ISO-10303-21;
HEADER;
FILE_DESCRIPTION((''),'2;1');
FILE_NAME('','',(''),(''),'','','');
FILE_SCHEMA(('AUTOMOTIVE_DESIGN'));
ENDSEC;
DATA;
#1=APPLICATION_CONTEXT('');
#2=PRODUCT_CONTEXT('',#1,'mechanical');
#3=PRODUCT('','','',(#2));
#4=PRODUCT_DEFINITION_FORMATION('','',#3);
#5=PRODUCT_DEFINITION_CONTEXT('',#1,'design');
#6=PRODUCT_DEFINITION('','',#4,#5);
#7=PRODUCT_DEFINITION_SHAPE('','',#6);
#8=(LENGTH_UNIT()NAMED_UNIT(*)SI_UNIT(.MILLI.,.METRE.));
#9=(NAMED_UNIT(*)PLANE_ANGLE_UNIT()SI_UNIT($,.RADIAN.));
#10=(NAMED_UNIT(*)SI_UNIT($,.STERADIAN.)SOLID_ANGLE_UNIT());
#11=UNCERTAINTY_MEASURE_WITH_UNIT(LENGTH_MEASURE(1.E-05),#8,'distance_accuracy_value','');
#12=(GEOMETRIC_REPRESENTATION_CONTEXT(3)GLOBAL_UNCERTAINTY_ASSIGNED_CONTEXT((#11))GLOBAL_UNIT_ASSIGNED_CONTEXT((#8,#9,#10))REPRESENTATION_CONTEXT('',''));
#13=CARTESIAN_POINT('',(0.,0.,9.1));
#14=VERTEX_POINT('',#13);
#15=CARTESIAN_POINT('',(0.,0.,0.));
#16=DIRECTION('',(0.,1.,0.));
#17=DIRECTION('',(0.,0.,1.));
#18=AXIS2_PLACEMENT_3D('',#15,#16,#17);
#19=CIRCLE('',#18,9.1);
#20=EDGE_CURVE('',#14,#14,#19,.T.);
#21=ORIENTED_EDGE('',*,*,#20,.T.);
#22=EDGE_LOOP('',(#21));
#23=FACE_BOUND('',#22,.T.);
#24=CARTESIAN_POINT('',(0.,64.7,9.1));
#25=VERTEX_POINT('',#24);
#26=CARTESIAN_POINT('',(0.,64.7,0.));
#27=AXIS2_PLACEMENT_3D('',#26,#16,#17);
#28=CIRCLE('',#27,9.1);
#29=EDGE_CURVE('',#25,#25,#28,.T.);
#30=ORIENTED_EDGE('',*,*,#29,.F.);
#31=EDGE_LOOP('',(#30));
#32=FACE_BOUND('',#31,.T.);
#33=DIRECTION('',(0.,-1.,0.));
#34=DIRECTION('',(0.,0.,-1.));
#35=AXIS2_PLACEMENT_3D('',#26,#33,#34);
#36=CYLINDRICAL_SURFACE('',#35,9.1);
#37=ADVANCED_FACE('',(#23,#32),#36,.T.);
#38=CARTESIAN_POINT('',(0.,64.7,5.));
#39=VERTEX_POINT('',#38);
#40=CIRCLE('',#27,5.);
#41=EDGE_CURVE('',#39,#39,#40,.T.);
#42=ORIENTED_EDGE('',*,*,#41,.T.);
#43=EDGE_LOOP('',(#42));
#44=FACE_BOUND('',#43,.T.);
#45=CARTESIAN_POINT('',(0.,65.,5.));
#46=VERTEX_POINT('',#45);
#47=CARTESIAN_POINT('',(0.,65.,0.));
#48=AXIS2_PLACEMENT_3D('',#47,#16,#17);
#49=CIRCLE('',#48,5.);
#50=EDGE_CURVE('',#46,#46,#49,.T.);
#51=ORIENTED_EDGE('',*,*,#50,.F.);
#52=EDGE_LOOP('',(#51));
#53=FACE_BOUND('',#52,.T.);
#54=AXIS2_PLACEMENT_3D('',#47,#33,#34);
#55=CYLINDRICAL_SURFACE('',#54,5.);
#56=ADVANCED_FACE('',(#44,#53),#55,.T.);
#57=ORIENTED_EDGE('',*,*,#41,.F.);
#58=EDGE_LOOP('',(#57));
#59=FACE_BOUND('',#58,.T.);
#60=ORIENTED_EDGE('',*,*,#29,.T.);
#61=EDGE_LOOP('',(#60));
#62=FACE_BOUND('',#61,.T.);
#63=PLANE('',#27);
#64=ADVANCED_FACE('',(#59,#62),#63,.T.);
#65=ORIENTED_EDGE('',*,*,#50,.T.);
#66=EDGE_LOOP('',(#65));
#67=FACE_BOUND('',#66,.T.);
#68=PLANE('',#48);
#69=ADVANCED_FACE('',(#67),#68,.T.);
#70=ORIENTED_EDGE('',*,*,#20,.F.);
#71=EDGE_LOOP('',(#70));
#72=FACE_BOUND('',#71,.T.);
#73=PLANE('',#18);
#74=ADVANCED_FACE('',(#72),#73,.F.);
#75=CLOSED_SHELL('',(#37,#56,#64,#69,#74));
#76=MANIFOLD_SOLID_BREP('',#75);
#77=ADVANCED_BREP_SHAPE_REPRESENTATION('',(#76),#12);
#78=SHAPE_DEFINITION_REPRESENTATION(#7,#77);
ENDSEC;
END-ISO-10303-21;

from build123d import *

# Parameters (mm, degrees)
SKETCH1_R           = 9.1
BOSS_EXTRUDE1_DEPTH = 64.7
SKETCH2_R           = 5
BOSS_EXTRUDE2_DEPTH = 0.3


with BuildPart() as part:
    # Sketch1 → Boss-Extrude1 (new body)
    with BuildSketch(Plane(origin=(0, 0, 0), x_dir=(1, 0, 0), z_dir=(0, 1, 0))):
        Circle(SKETCH1_R)
    extrude(amount=BOSS_EXTRUDE1_DEPTH)

    # Sketch2 → Boss-Extrude2 (add)
    with BuildSketch(Plane(origin=(0, 64.7, 0), x_dir=(1, 0, 0), z_dir=(0, 1, 0))):
        Circle(SKETCH2_R)
    extrude(amount=BOSS_EXTRUDE2_DEPTH)


solid = part.part
